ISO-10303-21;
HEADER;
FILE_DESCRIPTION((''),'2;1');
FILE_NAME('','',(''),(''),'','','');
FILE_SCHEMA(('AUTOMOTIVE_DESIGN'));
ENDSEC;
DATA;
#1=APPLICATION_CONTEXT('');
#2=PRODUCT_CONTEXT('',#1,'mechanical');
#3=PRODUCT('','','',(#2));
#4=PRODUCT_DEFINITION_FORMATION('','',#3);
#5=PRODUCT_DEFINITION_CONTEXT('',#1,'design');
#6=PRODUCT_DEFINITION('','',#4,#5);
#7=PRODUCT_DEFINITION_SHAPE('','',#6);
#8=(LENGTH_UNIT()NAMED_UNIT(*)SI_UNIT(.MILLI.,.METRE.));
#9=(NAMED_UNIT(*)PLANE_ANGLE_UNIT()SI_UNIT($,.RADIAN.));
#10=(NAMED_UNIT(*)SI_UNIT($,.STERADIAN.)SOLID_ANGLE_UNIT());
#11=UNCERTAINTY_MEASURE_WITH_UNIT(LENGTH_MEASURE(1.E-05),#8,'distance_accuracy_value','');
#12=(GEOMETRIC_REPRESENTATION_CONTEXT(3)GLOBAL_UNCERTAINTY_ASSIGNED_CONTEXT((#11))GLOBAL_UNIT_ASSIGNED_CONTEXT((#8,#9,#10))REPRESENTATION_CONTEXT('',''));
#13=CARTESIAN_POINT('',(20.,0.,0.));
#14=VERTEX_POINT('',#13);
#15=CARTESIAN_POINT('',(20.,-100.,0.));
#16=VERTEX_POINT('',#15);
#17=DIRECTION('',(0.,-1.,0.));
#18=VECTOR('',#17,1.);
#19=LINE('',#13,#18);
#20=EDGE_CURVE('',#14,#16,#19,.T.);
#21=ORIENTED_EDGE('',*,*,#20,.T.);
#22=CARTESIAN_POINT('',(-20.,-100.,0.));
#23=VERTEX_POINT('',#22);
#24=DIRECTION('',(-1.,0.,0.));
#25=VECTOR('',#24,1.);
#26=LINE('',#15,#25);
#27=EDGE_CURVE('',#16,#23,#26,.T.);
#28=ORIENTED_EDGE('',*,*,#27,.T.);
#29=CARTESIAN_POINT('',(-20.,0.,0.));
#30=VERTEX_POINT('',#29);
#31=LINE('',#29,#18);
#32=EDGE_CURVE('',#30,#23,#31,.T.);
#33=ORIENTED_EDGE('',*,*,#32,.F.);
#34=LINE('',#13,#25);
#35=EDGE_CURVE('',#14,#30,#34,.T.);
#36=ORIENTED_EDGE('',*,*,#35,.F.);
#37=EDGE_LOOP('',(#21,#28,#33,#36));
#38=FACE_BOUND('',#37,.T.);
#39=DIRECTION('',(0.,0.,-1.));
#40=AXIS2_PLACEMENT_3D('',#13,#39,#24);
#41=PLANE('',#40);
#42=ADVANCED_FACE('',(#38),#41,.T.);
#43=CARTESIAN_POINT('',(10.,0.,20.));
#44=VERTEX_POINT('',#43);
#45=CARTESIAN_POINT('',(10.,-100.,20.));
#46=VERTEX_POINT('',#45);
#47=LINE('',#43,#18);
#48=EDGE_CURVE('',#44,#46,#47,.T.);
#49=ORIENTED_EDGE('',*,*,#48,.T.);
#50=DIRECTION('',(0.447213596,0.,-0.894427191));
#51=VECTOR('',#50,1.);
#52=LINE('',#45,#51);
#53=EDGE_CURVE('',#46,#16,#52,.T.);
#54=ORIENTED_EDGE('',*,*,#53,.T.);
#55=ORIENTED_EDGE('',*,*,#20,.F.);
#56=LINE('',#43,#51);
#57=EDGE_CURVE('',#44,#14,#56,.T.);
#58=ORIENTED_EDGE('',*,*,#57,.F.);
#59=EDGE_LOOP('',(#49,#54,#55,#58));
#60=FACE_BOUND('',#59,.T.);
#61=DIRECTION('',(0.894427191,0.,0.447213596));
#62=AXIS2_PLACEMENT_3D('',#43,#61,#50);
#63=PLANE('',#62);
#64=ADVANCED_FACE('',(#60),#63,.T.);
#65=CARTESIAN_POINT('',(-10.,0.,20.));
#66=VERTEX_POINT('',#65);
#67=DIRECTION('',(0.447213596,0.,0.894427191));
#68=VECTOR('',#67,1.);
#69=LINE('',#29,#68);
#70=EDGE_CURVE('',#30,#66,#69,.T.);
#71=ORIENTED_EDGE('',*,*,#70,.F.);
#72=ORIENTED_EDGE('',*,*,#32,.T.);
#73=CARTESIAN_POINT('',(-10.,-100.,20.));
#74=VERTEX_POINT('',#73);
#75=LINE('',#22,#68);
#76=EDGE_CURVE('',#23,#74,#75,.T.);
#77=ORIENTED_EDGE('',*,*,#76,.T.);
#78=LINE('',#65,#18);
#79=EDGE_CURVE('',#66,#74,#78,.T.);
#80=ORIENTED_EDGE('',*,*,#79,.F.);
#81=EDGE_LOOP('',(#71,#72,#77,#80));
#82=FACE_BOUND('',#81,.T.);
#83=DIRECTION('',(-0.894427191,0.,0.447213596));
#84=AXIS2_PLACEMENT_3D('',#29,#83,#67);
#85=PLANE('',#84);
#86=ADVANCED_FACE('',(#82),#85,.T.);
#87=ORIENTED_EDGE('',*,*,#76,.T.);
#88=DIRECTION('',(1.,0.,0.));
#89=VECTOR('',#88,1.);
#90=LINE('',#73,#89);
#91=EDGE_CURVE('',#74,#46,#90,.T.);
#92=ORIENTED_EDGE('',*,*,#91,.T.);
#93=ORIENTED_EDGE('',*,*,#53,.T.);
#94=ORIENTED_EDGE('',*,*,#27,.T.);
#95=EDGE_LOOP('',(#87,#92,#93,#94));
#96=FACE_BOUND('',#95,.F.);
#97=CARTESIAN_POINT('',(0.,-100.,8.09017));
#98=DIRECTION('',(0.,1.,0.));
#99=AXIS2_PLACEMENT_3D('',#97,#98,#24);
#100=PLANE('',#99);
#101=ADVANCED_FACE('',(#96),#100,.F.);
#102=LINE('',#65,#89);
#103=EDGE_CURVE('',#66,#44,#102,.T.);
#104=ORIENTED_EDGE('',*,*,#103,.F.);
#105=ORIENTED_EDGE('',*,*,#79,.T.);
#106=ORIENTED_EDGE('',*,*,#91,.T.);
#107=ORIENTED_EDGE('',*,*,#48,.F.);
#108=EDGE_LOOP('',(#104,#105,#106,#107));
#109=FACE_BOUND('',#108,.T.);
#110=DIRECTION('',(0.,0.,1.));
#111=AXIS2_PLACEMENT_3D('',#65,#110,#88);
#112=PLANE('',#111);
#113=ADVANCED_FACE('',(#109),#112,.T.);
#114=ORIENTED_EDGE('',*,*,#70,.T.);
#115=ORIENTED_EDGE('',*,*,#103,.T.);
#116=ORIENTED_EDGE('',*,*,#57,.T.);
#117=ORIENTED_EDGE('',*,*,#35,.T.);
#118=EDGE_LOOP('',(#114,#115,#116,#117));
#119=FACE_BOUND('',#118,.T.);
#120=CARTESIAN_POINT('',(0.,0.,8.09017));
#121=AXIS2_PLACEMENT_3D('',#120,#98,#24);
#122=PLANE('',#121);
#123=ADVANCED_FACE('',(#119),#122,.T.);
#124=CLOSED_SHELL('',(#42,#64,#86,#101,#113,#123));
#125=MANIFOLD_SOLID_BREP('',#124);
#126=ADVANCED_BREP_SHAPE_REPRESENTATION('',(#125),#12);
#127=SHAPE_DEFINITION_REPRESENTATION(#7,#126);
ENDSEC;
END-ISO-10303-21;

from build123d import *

# Parameters (mm, degrees)
PAD_DEPTH = 100


with BuildPart() as part:
    # Sketch → Pad (new body)
    with BuildSketch(Plane.XZ):
        Polygon((-20, 0), (-10, 20), (10, 20), (20, 0), align=None)
    extrude(amount=PAD_DEPTH)


solid = part.part
